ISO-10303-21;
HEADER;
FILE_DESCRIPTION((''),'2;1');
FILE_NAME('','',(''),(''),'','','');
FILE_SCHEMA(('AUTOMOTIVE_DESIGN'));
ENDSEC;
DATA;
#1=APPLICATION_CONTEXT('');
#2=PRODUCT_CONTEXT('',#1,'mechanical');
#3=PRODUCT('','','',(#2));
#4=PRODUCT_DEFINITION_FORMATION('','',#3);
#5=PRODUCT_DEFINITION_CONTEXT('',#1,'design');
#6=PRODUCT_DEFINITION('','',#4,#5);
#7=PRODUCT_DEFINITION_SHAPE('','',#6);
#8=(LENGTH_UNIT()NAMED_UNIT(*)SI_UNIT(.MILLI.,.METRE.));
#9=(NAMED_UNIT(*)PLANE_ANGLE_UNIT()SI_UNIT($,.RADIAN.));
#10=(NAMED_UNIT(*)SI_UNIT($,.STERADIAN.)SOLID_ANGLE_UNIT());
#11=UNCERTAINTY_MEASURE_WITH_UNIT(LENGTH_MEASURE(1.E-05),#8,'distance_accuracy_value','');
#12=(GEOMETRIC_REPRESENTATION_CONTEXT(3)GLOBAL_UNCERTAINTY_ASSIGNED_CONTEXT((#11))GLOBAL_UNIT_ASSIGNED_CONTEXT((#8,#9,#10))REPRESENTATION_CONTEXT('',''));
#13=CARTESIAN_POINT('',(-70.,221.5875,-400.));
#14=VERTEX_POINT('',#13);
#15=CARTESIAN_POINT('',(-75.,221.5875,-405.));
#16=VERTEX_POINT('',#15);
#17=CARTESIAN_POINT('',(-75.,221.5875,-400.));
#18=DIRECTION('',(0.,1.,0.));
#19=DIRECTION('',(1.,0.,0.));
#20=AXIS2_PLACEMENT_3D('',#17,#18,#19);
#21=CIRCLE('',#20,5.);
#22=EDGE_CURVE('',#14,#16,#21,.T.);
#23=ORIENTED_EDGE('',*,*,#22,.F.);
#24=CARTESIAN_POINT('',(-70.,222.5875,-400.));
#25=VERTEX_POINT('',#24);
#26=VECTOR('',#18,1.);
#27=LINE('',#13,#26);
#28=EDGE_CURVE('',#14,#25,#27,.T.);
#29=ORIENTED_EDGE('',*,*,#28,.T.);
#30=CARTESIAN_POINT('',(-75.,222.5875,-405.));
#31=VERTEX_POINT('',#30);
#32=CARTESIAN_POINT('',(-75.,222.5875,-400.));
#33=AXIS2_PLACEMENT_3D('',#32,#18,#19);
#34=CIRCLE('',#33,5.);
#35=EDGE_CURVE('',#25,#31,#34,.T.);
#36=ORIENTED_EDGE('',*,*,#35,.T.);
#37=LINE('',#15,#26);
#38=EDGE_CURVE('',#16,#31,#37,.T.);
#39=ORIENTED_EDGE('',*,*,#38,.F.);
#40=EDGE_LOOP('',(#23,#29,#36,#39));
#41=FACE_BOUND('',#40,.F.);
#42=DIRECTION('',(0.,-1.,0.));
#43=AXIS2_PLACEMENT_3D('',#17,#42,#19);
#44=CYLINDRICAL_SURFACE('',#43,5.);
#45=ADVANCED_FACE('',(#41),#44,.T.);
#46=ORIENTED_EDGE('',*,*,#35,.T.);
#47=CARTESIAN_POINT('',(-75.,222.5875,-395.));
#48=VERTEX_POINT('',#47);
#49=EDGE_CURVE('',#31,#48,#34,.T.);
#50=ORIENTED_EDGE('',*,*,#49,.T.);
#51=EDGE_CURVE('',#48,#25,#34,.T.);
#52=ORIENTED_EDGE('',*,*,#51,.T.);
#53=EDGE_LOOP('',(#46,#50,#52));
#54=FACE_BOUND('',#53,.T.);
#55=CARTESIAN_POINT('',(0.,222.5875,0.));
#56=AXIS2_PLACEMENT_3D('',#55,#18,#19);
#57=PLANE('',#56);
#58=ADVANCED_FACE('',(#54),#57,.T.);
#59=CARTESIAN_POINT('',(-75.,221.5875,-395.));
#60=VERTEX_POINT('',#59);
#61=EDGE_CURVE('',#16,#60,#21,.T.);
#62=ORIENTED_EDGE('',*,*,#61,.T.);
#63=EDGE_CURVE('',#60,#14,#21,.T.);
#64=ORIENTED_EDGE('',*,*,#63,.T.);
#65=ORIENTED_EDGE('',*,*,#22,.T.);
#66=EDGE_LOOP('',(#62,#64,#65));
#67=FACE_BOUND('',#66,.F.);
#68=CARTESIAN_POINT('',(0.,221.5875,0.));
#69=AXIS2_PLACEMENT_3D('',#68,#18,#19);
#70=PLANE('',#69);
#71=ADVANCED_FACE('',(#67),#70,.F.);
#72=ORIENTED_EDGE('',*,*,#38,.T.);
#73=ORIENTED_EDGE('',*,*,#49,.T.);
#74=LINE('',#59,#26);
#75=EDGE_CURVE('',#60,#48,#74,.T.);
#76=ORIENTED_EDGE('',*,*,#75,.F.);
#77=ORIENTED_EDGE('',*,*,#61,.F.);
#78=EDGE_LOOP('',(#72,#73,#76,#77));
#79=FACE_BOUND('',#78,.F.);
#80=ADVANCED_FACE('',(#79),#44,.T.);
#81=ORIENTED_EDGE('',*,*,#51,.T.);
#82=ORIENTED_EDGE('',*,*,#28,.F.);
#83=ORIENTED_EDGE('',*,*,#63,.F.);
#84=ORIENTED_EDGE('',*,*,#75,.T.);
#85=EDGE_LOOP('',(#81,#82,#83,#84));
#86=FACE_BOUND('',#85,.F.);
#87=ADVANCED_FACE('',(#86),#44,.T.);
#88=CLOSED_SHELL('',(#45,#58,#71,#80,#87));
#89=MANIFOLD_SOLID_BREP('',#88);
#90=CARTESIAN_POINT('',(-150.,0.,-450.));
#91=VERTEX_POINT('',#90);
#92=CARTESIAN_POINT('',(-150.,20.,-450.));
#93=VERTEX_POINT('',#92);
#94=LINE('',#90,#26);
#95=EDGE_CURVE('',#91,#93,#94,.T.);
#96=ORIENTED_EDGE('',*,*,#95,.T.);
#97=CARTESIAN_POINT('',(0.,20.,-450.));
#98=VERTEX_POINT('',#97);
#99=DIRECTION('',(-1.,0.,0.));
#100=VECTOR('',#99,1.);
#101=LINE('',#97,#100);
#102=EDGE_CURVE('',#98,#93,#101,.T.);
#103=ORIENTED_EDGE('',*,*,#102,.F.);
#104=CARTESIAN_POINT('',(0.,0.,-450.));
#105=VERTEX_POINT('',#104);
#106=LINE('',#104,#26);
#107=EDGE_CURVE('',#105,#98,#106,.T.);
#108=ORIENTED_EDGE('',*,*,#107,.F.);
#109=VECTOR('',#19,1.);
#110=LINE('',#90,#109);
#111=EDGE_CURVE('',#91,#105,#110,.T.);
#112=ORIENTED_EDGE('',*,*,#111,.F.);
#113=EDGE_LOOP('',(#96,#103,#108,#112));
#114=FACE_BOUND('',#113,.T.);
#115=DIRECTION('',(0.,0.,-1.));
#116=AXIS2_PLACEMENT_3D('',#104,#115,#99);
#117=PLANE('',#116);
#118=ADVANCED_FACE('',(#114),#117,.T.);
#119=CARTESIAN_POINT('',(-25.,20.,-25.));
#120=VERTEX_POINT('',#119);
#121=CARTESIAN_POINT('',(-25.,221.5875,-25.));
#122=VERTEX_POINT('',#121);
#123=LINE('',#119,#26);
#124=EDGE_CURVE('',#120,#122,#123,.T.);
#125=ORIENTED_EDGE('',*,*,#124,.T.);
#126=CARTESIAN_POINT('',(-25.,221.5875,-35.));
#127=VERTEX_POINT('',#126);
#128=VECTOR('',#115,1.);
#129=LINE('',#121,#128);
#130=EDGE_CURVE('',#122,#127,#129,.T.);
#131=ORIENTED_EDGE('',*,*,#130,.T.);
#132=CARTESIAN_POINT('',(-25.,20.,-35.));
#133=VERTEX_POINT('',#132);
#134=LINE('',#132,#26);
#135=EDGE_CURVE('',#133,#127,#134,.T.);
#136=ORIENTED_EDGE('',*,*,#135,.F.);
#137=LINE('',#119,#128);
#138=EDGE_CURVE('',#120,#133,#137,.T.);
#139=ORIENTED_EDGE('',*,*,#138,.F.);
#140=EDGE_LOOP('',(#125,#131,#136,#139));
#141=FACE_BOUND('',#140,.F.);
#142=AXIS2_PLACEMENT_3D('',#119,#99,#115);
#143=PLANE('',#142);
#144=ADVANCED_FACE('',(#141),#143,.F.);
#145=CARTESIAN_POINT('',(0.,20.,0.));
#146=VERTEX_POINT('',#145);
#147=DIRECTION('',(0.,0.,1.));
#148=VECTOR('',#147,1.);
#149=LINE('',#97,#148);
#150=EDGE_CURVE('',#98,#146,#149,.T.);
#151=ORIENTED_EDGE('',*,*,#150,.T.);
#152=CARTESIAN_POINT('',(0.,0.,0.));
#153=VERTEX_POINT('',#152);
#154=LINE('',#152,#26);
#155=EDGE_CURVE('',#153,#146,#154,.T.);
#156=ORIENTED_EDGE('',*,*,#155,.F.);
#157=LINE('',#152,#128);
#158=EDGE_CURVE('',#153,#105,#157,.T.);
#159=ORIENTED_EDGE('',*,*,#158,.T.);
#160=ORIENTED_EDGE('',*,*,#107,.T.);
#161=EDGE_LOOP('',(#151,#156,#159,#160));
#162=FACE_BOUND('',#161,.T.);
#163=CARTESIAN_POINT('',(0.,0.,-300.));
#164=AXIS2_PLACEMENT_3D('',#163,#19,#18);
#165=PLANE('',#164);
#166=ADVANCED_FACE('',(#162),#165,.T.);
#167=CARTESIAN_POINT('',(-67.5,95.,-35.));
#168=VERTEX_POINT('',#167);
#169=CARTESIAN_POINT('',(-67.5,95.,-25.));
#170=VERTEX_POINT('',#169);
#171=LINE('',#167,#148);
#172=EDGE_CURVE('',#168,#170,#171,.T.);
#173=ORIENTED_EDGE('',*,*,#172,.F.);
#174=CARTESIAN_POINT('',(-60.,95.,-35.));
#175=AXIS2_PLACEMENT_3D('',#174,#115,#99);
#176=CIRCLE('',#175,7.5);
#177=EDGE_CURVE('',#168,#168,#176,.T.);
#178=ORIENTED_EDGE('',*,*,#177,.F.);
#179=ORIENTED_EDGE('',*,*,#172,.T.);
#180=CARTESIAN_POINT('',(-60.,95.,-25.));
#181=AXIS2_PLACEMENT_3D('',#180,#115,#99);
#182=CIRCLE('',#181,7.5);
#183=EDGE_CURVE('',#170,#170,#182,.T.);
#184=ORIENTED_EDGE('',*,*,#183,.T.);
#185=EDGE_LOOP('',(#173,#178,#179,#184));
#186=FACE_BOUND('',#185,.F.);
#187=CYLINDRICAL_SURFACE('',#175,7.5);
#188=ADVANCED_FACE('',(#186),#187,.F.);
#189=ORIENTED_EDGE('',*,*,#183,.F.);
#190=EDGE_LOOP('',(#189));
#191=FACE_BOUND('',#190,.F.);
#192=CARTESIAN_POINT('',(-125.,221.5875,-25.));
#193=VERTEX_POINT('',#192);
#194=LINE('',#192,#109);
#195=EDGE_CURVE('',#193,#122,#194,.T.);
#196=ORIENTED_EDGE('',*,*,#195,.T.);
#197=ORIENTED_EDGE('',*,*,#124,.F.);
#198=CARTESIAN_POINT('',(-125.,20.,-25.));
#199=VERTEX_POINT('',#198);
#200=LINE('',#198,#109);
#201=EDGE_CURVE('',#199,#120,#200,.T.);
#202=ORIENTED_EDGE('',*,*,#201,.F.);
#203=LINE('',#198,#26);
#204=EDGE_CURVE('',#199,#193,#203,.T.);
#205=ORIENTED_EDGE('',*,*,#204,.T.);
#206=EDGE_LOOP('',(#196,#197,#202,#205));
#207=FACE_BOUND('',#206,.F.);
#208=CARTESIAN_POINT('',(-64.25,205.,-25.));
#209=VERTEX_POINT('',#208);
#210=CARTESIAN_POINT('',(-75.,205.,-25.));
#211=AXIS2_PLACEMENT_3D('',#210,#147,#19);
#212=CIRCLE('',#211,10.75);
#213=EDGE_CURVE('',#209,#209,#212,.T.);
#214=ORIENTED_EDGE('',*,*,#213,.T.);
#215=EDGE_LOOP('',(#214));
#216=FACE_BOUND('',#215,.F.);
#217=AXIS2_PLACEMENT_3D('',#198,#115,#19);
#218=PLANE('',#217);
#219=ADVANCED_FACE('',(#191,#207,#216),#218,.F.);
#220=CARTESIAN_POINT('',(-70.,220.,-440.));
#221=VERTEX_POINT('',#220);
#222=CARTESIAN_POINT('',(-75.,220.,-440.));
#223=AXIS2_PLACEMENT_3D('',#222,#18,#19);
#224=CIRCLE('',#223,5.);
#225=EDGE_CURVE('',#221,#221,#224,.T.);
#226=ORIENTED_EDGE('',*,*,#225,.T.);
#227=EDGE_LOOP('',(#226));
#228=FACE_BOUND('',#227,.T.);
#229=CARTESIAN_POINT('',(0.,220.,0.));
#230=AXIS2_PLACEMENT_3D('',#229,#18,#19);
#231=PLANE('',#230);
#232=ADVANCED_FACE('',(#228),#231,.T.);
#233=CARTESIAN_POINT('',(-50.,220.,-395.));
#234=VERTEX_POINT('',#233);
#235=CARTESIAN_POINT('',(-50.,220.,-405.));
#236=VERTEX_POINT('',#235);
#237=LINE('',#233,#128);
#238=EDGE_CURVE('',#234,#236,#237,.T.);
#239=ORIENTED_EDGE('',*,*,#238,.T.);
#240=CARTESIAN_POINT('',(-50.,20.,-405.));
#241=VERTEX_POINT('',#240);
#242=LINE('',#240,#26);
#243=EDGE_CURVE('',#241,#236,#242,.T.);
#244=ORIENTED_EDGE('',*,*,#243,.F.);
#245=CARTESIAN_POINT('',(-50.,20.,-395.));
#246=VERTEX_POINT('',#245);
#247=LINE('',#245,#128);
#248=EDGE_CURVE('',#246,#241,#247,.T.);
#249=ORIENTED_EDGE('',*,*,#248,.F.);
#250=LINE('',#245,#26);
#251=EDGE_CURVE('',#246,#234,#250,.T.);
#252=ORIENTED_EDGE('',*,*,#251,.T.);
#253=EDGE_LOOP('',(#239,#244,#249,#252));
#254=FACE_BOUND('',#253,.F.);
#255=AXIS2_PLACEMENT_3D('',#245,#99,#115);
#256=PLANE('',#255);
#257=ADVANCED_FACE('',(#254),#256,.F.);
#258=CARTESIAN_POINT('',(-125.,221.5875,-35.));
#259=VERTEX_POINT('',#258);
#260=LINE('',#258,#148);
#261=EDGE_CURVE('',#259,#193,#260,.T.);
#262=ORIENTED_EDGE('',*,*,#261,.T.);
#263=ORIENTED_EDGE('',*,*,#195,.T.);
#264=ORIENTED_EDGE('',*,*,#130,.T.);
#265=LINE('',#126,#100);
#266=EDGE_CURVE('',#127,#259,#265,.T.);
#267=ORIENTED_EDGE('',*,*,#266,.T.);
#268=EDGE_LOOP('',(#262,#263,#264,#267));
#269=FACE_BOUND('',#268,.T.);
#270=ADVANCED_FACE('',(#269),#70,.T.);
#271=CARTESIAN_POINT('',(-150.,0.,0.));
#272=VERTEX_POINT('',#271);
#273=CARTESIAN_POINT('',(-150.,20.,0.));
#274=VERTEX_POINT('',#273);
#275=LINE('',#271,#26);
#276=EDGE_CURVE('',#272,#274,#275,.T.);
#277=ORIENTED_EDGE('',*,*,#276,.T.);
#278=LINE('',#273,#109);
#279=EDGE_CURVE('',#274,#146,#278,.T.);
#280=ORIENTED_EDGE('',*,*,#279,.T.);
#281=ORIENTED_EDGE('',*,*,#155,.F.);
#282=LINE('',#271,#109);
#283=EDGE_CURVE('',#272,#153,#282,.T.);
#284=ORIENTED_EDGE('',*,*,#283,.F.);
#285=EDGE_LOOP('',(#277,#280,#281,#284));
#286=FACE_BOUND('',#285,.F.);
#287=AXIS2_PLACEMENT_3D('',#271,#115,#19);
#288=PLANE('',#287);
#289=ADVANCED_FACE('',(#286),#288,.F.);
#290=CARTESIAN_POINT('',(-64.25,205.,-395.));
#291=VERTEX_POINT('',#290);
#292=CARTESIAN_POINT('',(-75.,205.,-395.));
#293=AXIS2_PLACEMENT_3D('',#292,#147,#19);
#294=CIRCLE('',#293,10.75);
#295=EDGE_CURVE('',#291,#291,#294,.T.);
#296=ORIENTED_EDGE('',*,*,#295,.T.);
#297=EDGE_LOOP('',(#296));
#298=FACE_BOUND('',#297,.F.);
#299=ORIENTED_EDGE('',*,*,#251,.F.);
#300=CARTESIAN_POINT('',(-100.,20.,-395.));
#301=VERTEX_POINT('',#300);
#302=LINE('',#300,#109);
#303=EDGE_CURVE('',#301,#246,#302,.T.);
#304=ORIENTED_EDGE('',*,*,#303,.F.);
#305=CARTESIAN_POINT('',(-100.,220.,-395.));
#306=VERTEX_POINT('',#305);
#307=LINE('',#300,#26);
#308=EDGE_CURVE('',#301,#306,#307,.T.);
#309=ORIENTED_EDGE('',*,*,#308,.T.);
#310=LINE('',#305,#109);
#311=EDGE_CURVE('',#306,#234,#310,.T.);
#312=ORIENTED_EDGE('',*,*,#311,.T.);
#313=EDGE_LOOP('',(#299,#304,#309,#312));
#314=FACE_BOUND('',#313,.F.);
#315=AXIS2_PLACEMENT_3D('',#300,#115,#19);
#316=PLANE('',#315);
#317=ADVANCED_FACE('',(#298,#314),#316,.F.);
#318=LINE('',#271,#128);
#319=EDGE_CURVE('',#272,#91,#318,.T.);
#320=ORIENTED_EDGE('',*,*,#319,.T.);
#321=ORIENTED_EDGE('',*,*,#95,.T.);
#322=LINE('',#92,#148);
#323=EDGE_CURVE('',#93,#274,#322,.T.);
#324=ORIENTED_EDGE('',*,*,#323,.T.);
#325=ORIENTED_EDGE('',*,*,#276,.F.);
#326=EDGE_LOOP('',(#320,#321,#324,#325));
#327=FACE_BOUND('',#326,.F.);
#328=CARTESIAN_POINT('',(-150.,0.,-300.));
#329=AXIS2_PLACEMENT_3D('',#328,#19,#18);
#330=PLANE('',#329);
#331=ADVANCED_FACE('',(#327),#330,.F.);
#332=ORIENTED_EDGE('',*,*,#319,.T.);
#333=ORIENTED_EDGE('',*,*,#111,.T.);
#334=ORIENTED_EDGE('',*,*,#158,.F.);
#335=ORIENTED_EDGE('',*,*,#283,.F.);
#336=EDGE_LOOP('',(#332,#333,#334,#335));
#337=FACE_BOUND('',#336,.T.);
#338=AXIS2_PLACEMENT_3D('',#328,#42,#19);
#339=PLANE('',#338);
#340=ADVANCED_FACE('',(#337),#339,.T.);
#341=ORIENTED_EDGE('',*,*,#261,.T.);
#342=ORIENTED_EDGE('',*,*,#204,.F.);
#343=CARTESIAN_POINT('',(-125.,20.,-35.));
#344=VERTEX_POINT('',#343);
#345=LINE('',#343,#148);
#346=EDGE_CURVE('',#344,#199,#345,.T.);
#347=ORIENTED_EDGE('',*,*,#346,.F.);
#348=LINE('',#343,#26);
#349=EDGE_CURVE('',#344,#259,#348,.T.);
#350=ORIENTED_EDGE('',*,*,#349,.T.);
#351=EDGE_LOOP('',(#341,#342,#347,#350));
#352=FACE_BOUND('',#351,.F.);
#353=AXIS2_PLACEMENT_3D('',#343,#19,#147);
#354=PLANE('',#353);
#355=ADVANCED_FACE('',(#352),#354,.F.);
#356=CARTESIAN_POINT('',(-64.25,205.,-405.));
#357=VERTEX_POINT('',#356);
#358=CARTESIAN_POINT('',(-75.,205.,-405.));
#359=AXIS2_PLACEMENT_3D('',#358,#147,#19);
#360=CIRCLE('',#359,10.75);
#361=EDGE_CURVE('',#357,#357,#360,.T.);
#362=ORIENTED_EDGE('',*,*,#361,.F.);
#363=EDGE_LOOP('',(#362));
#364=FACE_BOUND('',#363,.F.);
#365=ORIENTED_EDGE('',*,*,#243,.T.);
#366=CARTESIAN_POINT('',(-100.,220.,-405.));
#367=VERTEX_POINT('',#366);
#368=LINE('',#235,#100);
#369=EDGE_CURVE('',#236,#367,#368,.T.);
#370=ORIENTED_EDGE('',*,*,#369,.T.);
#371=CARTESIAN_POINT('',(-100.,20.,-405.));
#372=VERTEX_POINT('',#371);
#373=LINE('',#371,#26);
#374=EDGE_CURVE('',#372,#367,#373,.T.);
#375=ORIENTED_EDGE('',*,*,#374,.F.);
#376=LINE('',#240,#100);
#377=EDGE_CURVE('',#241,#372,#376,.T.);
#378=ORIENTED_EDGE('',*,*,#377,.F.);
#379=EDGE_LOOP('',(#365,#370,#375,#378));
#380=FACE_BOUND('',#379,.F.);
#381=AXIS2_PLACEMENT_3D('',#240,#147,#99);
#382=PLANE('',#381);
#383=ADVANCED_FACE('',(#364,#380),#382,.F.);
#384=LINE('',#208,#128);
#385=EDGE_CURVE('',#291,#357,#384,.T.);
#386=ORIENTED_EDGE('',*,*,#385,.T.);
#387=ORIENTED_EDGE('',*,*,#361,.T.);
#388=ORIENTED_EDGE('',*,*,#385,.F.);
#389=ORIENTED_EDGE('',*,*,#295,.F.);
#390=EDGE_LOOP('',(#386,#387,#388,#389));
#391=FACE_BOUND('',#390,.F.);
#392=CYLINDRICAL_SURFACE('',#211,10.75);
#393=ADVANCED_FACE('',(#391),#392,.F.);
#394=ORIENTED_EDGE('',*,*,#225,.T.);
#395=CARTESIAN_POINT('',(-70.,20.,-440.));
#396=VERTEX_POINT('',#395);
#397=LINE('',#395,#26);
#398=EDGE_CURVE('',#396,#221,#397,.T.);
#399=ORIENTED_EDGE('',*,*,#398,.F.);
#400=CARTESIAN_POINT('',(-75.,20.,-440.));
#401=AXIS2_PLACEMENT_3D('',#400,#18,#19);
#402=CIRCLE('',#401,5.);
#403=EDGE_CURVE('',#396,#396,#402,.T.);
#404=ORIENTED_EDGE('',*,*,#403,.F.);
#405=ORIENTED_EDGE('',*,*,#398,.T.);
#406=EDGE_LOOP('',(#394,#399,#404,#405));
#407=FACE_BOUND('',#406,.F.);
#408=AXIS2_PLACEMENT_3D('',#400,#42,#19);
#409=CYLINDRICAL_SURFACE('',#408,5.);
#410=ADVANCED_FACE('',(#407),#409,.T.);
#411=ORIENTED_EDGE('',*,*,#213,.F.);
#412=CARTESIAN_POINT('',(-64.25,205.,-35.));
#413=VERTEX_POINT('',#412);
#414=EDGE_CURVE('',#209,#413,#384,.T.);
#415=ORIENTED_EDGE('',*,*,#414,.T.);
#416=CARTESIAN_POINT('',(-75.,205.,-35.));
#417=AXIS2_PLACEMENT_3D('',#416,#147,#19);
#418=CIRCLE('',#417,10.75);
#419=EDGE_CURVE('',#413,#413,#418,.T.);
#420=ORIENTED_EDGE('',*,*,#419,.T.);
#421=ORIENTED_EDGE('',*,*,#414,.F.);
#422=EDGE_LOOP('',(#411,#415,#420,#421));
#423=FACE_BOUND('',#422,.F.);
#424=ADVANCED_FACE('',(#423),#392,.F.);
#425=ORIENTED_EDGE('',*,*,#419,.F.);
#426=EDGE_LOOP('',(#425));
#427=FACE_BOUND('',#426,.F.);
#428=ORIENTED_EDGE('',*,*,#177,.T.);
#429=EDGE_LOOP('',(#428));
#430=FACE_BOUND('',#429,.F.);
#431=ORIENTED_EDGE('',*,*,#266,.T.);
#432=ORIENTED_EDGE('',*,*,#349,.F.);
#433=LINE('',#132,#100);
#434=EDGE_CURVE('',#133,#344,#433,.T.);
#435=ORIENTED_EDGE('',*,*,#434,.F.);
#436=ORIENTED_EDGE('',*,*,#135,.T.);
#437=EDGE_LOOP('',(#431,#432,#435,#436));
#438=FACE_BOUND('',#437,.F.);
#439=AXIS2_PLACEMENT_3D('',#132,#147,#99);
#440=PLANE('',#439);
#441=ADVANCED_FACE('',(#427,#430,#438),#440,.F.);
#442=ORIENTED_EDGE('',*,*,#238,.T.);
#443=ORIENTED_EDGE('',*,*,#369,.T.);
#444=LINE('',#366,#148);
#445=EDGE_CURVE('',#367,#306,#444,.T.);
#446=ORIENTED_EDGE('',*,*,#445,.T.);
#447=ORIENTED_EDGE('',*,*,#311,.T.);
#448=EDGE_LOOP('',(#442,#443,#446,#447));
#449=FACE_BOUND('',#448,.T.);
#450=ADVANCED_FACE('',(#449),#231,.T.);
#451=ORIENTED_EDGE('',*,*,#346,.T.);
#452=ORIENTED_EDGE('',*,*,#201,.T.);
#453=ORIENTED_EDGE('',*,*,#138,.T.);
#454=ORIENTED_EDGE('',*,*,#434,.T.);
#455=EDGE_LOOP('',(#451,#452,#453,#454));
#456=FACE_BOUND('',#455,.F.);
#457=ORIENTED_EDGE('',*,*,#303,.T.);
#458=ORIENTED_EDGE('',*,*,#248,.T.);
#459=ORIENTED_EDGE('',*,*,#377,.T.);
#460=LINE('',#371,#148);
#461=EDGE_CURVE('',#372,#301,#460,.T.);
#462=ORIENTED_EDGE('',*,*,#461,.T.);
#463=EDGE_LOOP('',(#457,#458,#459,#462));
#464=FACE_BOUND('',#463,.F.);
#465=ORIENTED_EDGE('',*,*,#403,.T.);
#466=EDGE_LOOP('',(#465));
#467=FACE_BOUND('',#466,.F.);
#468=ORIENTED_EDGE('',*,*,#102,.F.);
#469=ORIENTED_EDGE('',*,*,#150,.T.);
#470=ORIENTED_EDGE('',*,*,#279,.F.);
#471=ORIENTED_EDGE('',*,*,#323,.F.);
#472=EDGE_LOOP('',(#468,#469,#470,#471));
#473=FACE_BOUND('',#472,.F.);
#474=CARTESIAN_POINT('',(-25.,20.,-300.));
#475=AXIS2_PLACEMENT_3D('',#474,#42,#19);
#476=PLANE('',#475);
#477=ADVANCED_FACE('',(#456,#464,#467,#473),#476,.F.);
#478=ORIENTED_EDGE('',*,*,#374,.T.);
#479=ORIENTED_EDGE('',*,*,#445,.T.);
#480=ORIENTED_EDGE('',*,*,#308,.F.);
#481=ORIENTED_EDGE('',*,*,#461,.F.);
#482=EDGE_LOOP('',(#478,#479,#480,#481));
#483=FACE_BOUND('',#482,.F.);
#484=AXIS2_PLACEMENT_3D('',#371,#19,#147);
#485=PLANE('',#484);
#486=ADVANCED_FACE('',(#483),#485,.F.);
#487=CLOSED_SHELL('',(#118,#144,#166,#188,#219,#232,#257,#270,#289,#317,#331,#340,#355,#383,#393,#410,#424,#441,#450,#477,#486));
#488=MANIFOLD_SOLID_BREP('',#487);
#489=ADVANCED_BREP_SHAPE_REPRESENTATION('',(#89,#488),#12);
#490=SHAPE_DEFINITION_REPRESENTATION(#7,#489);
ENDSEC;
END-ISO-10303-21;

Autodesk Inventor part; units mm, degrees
ref_plane "YZ Plane" through (0, 0, 0) normal (1, 0, 0) x (0, 1, 0)
ref_plane "XZ Plane" through (0, 0, 0) normal (0, 1, 0) x (-1, 0, 0)
ref_plane "XY Plane" through (0, 0, 0) normal (0, 0, 1) x (1, 0, 0)
sketch "Sketch1" plane through (0, 0, 0) normal (0, 1, 0) x (-1, 0, 0)
  line L0 (0, 0) -> (0, -300)
  line L1 (0, -300) -> (150, -300)
  line L2 (150, -300) -> (150, 0)
  line L3 (150, 0) -> (0, 0)
  dimension "d0" = 300
  dimension "d1" = 150
  dimension "d2" = 300
  dimension "d3" = 150
extrude "Extrusion1" add sketch "Sketch1" along normal blind 20
sketch "Sketch2" plane through (0, 20, 0) normal (0, 1, 0) x (1, 0, 0)
  line L0 (-25, 35) -> (-125, 35)
  line L1 (-125, 35) -> (-125, 25)
  line L2 (-125, 25) -> (-25, 25)
  line L3 (-25, 25) -> (-25, 35)
  line L4 (-25, 35) -> (-125, 25) construction
  line L5 (-125, 35) -> (-25, 25) construction
  point P0 (0, 0)
  point P1 (-75, 30)
  dimension "d6" = 100
  dimension "d7" = 10
extrude "Extrusion2" add sketch "Sketch2" along normal blind 201.5875
sketch "Sketch3" plane through (-25, 20, -35) normal (0, 0, -1) x (-1, 0, 0)
  circle A0 centre (35, 75) radius 7.5
  point P0 (-25, -20)
  dimension "d10" = 15
extrude "Extrusion3" cut sketch "Sketch3" against normal blind 200
sketch "Sketch4" plane through (-25, 20, -35) normal (0, 0, -1) x (-1, 0, 0)
  circle A0 centre (50, 185) radius 8.5
  point P0 (-25, -20)
  dimension "d13" = 17
extrude "Extrusion4" cut sketch "Sketch4" against normal blind 15
sketch "Sketch5" plane through (0, 0, -300) normal (0, 0, -1) x (-1, 0, 0)
  line L0 (0, 0) -> (0, 20) projected
  line L1 (0, 20) -> (0, 0)
  line L2 (150, 0) -> (0, 0) projected
  line L3 (0, 0) -> (150, 0)
  line L4 (150, 0) -> (150, 20) projected
  line L5 (150, 0) -> (150, 20)
  line L6 (150, 20) -> (0, 20)
  line L7 (125, 20) -> (25, 20) projected
extrude "Extrusion5" add sketch "Sketch5" along normal blind 150
sketch "Sketch6" plane through (0, 20, 0) normal (0, 1, 0) x (1, 0, 0)
  line L0 (-100, 395) -> (-50, 395)
  line L1 (-50, 395) -> (-50, 405)
  line L2 (-50, 405) -> (-100, 405)
  line L3 (-100, 405) -> (-100, 395)
  line L4 (-100, 395) -> (-50, 405) construction
  line L5 (-50, 395) -> (-100, 405) construction
  point P0 (0, 0)
  point P1 (-75, 400)
  dimension "d18" = 50
  dimension "d19" = 10
extrude "Extrusion6" add sketch "Sketch6" along normal blind 200
sketch "Sketch7" plane through (-100, 20, -395) normal (0, 0, 1) x (1, 0, 0)
  circle A0 centre (25, 185) radius 8.5 projected
  circle A1 centre (25, 185) radius 8.5
  point P0 (100, -20)
  dimension "d22" = 17
extrude "Extrusion7" cut sketch "Sketch7" against normal blind 200
sketch "Sketch8" plane through (0, 221.5875, 0) normal (0, 1, 0) x (1, 0, 0)
  line L0 (-50, 395) -> (-100, 395) projected
  line L1 (-100, 395) -> (-50, 395)
  line L2 (-100, 405) -> (-50, 405) projected
  circle A0 centre (-75, 400) radius 5
  point P0 (0, 0)
  dimension "d25" = 10
extrude "Extrusion8" add sketch "Sketch8" along normal blind 1
sketch "Sketch9" plane through (-125, 20, -25) normal (0, 0, 1) x (1, 0, 0)
  point P0 (125, -20)
sketch "Sketch10" plane through (-125, 20, -25) normal (0, 0, 1) x (1, 0, 0)
  circle A0 centre (50, 185) radius 8.5 projected
  circle A1 centre (50, 185) radius 10.75
  point P0 (125, -20)
  dimension "d28" = 21.5
extrude "Extrusion9" cut sketch "Sketch10" against normal blind 500 contours A0 | A1
sketch "Sketch11" plane through (0, 20, 0) normal (0, 1, 0) x (1, 0, 0)
  circle A0 centre (-75, 400) radius 5 projected
  line L0 (-150, 450) -> (0, 450) projected
  circle A1 centre (-75, 440) radius 5
  point P0 (0, 0)
  dimension "d31" = 10
extrude "Extrusion10" add sketch "Sketch11" along normal blind 200 contours A1
properties part number "LStand" material "PMMA Plastic"
